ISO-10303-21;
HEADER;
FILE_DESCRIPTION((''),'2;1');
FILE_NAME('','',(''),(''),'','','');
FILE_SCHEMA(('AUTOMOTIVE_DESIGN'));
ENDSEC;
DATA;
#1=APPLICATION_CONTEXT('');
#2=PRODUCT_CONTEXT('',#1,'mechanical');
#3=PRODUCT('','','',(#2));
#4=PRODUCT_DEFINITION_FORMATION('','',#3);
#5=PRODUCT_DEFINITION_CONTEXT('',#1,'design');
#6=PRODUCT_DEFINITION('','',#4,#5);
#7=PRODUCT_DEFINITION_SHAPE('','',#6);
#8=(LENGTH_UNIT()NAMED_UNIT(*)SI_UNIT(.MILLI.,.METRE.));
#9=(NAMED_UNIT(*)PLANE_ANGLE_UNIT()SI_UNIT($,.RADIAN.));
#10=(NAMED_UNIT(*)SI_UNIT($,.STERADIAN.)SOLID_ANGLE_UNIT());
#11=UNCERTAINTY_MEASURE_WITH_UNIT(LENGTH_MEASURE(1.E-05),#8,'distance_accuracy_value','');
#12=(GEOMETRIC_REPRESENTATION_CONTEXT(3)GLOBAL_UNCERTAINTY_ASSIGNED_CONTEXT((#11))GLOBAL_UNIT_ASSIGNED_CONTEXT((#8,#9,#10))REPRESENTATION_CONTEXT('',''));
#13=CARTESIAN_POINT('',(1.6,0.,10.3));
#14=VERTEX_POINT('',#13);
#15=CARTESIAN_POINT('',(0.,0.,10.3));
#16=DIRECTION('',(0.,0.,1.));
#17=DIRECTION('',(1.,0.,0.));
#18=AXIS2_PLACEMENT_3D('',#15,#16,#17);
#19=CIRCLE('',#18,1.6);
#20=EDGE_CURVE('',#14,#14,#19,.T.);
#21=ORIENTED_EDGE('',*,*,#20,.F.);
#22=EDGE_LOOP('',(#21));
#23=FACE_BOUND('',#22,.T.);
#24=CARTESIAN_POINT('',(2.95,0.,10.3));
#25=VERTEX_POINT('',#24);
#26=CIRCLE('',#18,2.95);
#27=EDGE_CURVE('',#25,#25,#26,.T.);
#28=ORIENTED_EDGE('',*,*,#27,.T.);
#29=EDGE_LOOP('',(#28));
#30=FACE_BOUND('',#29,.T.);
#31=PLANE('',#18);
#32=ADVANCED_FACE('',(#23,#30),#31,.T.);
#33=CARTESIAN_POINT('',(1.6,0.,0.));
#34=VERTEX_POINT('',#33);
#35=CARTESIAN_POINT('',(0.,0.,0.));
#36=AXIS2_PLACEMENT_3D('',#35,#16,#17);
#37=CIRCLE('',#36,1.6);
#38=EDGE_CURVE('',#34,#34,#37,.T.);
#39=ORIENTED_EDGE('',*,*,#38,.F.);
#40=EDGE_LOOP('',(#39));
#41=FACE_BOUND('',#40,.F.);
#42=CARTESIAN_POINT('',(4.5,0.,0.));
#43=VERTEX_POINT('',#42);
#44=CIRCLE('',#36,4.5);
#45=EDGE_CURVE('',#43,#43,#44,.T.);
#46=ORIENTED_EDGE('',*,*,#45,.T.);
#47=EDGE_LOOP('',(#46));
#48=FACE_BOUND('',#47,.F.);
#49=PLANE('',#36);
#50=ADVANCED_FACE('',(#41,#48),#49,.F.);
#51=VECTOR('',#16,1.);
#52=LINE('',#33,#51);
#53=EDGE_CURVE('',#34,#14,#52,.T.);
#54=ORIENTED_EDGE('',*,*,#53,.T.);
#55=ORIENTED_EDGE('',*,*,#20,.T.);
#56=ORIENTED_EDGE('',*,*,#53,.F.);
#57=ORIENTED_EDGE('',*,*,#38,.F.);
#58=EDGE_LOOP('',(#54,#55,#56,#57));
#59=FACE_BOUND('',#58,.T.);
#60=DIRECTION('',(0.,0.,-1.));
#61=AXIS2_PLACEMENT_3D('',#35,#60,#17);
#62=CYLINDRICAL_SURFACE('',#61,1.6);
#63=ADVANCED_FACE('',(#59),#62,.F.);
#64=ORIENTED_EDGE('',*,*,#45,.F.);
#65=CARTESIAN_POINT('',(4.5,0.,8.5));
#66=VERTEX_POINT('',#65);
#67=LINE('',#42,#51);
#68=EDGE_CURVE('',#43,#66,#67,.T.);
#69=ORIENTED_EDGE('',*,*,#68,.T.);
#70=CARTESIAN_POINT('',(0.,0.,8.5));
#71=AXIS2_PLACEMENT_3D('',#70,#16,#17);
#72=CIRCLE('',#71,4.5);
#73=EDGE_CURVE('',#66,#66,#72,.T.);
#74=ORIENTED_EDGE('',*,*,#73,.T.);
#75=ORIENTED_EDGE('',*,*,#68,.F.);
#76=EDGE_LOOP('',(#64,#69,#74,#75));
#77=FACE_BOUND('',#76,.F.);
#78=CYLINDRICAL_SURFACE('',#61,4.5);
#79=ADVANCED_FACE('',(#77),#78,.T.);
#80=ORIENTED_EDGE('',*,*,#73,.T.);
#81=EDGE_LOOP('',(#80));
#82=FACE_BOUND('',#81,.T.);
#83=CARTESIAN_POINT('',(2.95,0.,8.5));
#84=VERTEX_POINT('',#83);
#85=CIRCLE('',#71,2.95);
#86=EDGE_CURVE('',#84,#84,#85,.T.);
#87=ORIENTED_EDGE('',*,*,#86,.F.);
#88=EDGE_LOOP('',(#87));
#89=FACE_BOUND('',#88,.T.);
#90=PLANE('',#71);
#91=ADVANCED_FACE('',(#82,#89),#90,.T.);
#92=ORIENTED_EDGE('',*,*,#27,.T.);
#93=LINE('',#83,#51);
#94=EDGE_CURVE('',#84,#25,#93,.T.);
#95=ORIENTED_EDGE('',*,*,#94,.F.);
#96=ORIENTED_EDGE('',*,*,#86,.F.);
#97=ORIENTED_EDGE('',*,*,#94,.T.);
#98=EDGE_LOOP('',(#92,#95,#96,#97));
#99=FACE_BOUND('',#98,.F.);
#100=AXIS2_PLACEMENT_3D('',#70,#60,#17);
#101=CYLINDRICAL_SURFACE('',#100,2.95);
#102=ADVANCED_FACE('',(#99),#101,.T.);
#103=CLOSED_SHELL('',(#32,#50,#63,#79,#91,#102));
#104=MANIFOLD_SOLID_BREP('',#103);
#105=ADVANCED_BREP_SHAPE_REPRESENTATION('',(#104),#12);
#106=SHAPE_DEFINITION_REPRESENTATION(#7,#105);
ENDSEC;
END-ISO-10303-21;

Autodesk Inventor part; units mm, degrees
ref_plane "YZ Plane" through (0, 0, 0) normal (1, 0, 0) x (0, 1, 0)
ref_plane "XZ Plane" through (0, 0, 0) normal (0, 1, 0) x (-1, 0, 0)
ref_plane "XY Plane" through (0, 0, 0) normal (0, 0, 1) x (1, 0, 0)
sketch "Sketch1" plane through (0, 0, 0) normal (0, 0, 1) x (1, 0, 0)
  circle A0 centre (0, 0) radius 1.6
  circle A1 centre (0, 0) radius 4.5
  dimension "d0" = 3.2
  dimension "d1" = 9
extrude "Extrusion1" add sketch "Sketch1" along normal blind 8.5
sketch "Sketch2" plane through (0, 0, 8.5) normal (0, 0, 1) x (1, 0, 0)
  circle A0 centre (0, 0) radius 1.6 projected
  circle A1 centre (0, 0) radius 2.95
  dimension "d4" = 5.9
extrude "Extrusion2" add sketch "Sketch2" along normal blind 1.8
properties part number "spacer 6mmx10_5mm"
